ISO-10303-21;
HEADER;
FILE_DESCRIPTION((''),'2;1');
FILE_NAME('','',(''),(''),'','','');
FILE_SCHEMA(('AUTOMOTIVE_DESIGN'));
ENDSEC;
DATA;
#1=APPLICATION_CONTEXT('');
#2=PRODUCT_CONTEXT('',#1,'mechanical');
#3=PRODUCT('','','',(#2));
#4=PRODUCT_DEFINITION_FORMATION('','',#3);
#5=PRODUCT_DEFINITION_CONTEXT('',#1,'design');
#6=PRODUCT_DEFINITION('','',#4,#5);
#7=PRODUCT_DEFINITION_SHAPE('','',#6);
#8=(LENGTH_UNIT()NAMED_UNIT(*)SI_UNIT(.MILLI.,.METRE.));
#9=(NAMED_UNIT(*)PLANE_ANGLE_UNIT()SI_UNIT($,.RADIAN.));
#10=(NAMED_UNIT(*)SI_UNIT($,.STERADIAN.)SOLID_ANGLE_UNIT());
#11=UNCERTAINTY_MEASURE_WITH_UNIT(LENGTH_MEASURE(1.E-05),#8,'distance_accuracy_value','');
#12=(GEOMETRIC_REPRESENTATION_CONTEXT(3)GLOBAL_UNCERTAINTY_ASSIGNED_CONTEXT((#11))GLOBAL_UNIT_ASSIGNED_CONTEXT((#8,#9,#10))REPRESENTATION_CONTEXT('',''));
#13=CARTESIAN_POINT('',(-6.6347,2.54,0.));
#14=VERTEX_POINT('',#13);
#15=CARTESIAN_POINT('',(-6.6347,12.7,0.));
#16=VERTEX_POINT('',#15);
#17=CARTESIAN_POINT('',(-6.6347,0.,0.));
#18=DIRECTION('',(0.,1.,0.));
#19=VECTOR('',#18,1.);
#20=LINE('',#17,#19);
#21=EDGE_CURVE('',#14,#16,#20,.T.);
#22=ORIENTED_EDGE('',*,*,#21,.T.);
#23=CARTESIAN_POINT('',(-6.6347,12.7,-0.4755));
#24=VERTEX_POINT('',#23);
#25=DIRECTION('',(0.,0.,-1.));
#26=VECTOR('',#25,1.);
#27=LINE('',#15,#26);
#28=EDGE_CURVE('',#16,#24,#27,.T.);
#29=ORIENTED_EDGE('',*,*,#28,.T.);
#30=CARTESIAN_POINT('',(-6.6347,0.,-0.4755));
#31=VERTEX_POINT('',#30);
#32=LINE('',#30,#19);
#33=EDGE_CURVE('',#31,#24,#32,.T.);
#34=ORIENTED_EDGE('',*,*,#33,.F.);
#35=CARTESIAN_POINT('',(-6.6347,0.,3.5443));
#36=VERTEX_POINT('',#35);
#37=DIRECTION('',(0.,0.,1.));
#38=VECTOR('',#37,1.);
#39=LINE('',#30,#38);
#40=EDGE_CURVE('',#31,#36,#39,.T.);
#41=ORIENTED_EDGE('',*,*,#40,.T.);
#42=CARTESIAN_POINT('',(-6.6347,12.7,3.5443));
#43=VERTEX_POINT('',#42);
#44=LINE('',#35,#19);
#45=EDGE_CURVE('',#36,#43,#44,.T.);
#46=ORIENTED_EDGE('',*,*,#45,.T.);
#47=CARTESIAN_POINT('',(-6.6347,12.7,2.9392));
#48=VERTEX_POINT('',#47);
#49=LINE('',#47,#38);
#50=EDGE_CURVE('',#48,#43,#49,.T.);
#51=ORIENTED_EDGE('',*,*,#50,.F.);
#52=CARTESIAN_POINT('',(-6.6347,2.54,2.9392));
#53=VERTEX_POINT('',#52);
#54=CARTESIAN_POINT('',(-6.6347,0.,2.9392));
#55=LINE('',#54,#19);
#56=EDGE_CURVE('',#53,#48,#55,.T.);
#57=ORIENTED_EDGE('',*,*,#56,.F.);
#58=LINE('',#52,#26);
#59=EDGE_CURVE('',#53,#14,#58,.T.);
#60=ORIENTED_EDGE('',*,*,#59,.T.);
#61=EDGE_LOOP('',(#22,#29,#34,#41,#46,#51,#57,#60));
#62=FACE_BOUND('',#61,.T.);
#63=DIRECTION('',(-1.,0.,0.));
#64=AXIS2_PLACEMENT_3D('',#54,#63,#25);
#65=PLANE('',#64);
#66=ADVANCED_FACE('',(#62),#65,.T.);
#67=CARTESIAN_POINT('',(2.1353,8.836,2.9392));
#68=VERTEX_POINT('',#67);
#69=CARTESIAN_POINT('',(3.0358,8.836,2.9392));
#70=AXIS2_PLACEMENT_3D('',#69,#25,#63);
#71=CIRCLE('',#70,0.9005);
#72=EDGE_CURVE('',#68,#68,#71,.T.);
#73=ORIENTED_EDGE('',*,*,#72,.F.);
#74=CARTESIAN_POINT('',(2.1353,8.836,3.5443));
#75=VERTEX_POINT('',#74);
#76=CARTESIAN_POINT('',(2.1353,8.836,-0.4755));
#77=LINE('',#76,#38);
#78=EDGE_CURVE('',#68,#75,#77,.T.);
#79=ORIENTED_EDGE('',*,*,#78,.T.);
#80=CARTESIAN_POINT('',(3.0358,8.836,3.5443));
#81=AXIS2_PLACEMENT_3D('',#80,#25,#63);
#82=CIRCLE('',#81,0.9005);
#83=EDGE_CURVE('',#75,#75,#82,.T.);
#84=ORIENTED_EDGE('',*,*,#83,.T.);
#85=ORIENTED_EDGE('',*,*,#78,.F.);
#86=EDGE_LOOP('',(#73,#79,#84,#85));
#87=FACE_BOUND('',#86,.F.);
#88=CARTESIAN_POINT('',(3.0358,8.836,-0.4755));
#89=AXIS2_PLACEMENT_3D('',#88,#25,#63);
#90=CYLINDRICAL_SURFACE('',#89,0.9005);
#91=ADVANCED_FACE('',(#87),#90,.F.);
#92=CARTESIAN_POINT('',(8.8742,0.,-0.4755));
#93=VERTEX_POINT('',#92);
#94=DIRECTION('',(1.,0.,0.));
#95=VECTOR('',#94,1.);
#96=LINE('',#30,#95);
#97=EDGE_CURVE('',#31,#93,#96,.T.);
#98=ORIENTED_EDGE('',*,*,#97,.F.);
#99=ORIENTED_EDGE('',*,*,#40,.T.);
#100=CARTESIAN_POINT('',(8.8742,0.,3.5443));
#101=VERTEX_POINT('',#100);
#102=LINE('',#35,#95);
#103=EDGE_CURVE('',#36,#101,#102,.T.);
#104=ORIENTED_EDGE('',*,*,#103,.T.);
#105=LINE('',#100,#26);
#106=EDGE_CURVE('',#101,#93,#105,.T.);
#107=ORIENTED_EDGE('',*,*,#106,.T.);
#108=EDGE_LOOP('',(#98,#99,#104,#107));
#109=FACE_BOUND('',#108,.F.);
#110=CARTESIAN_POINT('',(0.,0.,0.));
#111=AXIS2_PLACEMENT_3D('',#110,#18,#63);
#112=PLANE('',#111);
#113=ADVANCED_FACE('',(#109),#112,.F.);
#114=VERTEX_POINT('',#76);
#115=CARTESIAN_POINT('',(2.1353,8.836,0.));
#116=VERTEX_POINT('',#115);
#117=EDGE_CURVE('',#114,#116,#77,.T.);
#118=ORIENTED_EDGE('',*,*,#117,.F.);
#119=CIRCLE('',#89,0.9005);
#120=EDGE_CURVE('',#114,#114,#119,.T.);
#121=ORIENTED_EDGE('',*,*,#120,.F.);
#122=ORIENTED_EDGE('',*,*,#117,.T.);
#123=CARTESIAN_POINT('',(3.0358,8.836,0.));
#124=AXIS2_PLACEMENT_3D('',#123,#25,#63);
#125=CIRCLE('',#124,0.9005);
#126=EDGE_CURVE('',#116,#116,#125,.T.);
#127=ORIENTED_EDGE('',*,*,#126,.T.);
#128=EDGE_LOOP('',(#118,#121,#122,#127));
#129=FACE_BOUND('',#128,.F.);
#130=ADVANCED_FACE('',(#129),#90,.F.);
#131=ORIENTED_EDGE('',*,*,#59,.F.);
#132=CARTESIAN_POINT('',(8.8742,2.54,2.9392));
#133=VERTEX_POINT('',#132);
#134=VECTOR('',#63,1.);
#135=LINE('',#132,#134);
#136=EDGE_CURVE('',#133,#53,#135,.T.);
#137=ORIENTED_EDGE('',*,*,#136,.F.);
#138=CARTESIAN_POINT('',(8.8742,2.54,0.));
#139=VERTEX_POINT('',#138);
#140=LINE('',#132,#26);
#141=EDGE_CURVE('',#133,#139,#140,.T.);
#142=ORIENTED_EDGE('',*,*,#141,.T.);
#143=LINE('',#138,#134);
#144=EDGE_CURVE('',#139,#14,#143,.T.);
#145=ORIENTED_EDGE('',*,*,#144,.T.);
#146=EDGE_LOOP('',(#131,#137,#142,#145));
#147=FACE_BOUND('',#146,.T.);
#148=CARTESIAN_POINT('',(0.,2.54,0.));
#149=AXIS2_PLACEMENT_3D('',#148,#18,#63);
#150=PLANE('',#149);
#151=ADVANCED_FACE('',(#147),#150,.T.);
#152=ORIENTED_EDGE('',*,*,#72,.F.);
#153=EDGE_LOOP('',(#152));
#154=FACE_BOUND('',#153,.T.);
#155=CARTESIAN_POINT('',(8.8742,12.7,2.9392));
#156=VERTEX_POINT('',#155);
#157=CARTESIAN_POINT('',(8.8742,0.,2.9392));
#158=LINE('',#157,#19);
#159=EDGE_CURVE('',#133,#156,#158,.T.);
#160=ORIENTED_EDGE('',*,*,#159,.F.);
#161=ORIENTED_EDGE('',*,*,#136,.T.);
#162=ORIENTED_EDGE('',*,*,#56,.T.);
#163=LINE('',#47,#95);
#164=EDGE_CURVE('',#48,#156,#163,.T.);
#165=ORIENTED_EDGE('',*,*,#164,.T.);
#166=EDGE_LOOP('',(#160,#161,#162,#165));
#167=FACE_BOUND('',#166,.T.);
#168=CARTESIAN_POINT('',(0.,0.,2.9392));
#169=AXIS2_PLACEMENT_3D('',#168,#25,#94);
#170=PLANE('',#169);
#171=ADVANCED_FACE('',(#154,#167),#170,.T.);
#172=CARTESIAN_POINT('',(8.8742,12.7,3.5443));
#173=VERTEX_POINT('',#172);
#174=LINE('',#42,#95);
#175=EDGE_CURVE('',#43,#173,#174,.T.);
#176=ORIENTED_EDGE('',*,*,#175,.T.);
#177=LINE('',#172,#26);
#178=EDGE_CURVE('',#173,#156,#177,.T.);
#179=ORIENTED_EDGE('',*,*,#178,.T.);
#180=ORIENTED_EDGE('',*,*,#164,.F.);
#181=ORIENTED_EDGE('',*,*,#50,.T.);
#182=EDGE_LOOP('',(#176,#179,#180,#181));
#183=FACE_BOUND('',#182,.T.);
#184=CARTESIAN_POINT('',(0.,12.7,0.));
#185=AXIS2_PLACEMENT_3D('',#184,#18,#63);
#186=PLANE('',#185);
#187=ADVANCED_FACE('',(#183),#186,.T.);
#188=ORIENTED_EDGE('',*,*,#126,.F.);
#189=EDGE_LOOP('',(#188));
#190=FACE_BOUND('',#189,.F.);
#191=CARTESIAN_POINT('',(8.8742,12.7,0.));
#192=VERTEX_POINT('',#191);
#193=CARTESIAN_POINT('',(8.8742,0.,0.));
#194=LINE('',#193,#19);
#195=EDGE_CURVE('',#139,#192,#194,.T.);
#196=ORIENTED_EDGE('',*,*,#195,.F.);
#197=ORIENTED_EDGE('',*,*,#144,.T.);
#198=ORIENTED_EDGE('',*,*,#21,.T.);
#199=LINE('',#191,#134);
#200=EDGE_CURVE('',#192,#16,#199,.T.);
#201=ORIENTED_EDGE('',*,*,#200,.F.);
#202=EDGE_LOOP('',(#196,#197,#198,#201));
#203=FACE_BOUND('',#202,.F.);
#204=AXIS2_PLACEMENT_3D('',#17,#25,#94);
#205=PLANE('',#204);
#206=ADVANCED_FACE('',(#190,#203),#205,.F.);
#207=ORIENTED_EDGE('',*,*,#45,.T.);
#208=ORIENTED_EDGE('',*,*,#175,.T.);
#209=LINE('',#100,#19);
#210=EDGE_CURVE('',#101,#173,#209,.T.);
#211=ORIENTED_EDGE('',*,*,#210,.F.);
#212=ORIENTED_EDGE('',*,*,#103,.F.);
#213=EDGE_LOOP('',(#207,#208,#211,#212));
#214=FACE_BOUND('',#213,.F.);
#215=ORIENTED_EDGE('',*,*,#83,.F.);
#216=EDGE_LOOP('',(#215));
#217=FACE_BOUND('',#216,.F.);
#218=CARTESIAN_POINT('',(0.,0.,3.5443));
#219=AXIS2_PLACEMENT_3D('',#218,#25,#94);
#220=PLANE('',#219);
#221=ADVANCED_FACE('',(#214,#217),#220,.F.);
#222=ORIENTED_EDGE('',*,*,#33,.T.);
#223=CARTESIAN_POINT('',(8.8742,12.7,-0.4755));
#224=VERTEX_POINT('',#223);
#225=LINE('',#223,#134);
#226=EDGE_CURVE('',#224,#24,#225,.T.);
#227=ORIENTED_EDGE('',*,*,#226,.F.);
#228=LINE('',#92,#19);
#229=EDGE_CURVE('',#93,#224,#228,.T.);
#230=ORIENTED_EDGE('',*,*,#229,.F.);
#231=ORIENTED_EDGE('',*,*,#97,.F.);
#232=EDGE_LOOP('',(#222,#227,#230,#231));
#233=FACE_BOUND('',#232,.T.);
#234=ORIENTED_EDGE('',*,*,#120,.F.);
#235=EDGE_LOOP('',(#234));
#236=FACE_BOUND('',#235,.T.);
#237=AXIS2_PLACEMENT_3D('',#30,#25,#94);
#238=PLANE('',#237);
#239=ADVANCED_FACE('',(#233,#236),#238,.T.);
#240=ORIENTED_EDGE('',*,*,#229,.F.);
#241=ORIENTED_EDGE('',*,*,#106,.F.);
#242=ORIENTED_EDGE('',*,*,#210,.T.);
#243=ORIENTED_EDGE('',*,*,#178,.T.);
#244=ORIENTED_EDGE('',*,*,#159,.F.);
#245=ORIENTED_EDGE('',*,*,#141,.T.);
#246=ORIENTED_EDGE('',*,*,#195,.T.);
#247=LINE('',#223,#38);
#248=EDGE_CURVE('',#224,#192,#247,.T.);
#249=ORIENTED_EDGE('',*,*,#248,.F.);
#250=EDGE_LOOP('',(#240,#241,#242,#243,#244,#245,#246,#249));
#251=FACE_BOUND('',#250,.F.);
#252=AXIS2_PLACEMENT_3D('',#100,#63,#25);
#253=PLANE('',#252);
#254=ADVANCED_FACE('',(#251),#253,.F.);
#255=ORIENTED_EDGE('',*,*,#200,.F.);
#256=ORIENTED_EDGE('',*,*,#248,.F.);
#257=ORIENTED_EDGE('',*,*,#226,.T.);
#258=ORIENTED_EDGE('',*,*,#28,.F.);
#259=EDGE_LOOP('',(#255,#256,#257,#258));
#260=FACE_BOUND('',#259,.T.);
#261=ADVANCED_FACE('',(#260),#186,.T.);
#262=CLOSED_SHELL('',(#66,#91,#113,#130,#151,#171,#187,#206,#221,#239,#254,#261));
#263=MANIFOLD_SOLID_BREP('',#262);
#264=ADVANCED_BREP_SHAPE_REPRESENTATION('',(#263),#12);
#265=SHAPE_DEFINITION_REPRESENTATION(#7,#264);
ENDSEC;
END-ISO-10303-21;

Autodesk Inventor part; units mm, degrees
ref_plane "YZ Plane" through (0, 0, 0) normal (1, 0, 0) x (0, 1, 0)
ref_plane "XZ Plane" through (0, 0, 0) normal (0, 1, 0) x (-1, 0, 0)
ref_plane "XY Plane" through (0, 0, 0) normal (0, 0, 1) x (1, 0, 0)
sketch "Sketch1" plane through (0, 0, 0) normal (0, 1, 0) x (-1, 0, 0)
  line L0 (0, 2.9392) -> (6.6347, 2.9392)
  line L1 (6.6347, 2.9392) -> (6.6347, 0)
  line L2 (6.6347, 0) -> (0, 0)
  line L3 (6.6347, 0) -> (6.6347, -0.4755)
  line L4 (6.6347, -0.4755) -> (0, -0.4755)
  line L5 (6.6347, 2.9392) -> (6.6347, 3.5443)
  line L6 (6.6347, 3.5443) -> (0, 3.5443)
  line L7 (0, 2.9392) -> (-8.8742, 2.9392)
  line L8 (-8.8742, 2.9392) -> (-8.8742, 0)
  line L9 (-8.8742, 0) -> (0, 0)
  line L10 (0, -0.4755) -> (-8.8742, -0.4755)
  line L11 (-8.8742, -0.4755) -> (-8.8742, 0)
  line L12 (0, 3.5443) -> (-8.8742, 3.5443)
  line L13 (-8.8742, 3.5443) -> (-8.8742, 2.9392)
extrude "Extrusion4" add sketch "Sketch1" along normal blind 12.7 contours L7 L13 L12 L6 L5 L0
extrude "Extrusion5" add sketch "Sketch1" along normal blind 12.7 contours L3 L4 L10 L11 L9 L2
extrude "Extrusion6" add sketch "Sketch1" along normal blind 2.54 contours L0 L1 L2 L9 L8 L7
sketch "Sketch2" plane through (8.8742, 0, -0.4755) normal (0, 0, -1) x (-1, 0, 0)
  circle A0 centre (5.8384, 8.836) radius 0.9005
  point P0 (8.8742, 0)
extrude "Extrusion7" cut sketch "Sketch2" against normal blind 25.4
properties part number "hook diagram"
